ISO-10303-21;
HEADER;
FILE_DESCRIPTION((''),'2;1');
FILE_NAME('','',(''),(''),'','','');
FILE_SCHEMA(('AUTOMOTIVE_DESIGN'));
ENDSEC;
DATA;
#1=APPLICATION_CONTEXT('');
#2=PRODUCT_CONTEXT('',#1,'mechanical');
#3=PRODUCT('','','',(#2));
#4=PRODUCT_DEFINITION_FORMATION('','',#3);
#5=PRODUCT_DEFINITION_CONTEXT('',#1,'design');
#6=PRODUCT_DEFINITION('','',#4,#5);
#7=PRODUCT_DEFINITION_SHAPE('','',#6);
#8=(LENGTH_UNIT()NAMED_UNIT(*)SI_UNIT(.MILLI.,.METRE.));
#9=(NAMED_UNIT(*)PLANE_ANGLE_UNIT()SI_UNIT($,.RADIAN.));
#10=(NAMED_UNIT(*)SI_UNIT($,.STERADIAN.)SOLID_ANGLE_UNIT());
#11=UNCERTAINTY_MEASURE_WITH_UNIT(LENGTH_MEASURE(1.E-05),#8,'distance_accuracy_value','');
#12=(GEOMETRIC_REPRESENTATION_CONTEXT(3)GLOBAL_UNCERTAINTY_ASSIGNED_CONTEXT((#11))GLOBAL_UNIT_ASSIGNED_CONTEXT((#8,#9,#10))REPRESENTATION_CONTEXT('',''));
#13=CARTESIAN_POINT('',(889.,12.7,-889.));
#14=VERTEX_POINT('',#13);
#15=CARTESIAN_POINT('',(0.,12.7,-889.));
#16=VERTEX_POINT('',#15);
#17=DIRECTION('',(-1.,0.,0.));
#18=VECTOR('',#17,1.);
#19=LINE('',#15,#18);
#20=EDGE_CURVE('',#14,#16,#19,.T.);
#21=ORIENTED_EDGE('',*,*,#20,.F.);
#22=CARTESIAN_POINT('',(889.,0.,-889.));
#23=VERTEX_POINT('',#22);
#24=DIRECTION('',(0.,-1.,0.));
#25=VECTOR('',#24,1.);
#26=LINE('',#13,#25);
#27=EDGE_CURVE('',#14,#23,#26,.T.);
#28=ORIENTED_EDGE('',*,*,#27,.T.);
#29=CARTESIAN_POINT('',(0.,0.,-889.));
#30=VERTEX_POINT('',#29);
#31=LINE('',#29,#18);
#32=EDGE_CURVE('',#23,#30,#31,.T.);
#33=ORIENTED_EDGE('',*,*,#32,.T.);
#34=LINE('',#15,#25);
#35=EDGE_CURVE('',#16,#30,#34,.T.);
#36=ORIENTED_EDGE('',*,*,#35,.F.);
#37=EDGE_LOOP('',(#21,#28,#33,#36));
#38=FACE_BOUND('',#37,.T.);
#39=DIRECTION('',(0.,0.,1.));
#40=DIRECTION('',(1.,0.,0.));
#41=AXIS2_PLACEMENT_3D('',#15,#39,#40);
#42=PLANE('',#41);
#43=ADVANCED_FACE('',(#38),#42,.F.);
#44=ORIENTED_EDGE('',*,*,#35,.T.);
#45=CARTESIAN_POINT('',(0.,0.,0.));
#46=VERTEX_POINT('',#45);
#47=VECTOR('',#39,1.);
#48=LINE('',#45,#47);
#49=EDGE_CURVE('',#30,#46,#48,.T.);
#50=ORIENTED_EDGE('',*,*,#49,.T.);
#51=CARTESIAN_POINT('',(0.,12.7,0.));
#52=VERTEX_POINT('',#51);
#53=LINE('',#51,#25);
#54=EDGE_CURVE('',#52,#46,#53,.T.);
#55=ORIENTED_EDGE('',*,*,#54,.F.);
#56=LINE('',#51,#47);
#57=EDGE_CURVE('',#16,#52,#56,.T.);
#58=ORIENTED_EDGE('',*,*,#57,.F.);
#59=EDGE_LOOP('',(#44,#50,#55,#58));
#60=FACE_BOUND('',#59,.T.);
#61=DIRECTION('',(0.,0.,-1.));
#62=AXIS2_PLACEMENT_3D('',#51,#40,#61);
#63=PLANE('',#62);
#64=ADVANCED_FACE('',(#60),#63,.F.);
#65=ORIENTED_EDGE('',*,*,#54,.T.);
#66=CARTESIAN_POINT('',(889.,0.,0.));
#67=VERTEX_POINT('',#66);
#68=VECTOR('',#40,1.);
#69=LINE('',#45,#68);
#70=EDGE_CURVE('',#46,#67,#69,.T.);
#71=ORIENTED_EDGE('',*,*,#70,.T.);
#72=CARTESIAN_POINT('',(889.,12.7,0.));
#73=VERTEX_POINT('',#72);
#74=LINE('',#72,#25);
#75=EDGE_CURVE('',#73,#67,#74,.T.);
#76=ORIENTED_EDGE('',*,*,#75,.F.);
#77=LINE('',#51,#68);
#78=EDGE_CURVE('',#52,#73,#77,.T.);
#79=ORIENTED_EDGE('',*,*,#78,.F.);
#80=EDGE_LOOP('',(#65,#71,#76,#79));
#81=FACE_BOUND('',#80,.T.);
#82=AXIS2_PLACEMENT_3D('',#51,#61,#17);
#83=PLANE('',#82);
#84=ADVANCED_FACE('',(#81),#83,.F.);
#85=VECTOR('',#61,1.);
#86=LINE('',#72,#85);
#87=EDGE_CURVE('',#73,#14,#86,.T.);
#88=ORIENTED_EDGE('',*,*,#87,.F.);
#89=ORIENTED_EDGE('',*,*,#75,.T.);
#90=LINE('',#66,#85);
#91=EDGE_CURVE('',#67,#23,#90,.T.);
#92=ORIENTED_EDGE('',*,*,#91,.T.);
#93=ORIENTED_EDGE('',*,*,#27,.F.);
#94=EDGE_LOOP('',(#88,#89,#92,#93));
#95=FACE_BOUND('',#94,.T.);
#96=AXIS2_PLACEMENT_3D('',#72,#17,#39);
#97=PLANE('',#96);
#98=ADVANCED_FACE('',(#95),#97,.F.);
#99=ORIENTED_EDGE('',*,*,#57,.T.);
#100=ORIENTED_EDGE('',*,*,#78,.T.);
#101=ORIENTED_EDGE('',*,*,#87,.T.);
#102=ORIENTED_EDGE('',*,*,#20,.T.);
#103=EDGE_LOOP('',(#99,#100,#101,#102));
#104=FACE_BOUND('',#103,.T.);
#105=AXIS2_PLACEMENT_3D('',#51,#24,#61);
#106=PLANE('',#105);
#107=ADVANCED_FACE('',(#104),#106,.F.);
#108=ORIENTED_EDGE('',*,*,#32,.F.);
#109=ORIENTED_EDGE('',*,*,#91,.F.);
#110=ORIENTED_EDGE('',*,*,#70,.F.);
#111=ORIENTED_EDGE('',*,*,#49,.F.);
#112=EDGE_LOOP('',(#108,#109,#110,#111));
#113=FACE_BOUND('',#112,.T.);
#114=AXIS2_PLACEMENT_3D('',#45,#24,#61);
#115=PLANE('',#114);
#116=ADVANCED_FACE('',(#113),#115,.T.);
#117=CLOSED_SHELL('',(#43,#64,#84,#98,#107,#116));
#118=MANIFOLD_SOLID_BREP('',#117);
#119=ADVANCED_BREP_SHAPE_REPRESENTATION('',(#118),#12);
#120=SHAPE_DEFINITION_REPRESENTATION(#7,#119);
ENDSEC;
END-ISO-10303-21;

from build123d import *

# Parameters (mm, degrees)
SKETCH1_W           = 889
SKETCH1_H           = 889
BOSS_EXTRUDE1_DEPTH = 12.7


with BuildPart() as part:
    # Sketch1 → Boss-Extrude1 (new body)
    with BuildSketch(Plane(origin=(0, 0, 0), x_dir=(1, 0, 0), z_dir=(0, 1, 0))):
        with Locations((444.5, 444.5)):
            Rectangle(SKETCH1_W, SKETCH1_H)
    extrude(amount=BOSS_EXTRUDE1_DEPTH)


solid = part.part
